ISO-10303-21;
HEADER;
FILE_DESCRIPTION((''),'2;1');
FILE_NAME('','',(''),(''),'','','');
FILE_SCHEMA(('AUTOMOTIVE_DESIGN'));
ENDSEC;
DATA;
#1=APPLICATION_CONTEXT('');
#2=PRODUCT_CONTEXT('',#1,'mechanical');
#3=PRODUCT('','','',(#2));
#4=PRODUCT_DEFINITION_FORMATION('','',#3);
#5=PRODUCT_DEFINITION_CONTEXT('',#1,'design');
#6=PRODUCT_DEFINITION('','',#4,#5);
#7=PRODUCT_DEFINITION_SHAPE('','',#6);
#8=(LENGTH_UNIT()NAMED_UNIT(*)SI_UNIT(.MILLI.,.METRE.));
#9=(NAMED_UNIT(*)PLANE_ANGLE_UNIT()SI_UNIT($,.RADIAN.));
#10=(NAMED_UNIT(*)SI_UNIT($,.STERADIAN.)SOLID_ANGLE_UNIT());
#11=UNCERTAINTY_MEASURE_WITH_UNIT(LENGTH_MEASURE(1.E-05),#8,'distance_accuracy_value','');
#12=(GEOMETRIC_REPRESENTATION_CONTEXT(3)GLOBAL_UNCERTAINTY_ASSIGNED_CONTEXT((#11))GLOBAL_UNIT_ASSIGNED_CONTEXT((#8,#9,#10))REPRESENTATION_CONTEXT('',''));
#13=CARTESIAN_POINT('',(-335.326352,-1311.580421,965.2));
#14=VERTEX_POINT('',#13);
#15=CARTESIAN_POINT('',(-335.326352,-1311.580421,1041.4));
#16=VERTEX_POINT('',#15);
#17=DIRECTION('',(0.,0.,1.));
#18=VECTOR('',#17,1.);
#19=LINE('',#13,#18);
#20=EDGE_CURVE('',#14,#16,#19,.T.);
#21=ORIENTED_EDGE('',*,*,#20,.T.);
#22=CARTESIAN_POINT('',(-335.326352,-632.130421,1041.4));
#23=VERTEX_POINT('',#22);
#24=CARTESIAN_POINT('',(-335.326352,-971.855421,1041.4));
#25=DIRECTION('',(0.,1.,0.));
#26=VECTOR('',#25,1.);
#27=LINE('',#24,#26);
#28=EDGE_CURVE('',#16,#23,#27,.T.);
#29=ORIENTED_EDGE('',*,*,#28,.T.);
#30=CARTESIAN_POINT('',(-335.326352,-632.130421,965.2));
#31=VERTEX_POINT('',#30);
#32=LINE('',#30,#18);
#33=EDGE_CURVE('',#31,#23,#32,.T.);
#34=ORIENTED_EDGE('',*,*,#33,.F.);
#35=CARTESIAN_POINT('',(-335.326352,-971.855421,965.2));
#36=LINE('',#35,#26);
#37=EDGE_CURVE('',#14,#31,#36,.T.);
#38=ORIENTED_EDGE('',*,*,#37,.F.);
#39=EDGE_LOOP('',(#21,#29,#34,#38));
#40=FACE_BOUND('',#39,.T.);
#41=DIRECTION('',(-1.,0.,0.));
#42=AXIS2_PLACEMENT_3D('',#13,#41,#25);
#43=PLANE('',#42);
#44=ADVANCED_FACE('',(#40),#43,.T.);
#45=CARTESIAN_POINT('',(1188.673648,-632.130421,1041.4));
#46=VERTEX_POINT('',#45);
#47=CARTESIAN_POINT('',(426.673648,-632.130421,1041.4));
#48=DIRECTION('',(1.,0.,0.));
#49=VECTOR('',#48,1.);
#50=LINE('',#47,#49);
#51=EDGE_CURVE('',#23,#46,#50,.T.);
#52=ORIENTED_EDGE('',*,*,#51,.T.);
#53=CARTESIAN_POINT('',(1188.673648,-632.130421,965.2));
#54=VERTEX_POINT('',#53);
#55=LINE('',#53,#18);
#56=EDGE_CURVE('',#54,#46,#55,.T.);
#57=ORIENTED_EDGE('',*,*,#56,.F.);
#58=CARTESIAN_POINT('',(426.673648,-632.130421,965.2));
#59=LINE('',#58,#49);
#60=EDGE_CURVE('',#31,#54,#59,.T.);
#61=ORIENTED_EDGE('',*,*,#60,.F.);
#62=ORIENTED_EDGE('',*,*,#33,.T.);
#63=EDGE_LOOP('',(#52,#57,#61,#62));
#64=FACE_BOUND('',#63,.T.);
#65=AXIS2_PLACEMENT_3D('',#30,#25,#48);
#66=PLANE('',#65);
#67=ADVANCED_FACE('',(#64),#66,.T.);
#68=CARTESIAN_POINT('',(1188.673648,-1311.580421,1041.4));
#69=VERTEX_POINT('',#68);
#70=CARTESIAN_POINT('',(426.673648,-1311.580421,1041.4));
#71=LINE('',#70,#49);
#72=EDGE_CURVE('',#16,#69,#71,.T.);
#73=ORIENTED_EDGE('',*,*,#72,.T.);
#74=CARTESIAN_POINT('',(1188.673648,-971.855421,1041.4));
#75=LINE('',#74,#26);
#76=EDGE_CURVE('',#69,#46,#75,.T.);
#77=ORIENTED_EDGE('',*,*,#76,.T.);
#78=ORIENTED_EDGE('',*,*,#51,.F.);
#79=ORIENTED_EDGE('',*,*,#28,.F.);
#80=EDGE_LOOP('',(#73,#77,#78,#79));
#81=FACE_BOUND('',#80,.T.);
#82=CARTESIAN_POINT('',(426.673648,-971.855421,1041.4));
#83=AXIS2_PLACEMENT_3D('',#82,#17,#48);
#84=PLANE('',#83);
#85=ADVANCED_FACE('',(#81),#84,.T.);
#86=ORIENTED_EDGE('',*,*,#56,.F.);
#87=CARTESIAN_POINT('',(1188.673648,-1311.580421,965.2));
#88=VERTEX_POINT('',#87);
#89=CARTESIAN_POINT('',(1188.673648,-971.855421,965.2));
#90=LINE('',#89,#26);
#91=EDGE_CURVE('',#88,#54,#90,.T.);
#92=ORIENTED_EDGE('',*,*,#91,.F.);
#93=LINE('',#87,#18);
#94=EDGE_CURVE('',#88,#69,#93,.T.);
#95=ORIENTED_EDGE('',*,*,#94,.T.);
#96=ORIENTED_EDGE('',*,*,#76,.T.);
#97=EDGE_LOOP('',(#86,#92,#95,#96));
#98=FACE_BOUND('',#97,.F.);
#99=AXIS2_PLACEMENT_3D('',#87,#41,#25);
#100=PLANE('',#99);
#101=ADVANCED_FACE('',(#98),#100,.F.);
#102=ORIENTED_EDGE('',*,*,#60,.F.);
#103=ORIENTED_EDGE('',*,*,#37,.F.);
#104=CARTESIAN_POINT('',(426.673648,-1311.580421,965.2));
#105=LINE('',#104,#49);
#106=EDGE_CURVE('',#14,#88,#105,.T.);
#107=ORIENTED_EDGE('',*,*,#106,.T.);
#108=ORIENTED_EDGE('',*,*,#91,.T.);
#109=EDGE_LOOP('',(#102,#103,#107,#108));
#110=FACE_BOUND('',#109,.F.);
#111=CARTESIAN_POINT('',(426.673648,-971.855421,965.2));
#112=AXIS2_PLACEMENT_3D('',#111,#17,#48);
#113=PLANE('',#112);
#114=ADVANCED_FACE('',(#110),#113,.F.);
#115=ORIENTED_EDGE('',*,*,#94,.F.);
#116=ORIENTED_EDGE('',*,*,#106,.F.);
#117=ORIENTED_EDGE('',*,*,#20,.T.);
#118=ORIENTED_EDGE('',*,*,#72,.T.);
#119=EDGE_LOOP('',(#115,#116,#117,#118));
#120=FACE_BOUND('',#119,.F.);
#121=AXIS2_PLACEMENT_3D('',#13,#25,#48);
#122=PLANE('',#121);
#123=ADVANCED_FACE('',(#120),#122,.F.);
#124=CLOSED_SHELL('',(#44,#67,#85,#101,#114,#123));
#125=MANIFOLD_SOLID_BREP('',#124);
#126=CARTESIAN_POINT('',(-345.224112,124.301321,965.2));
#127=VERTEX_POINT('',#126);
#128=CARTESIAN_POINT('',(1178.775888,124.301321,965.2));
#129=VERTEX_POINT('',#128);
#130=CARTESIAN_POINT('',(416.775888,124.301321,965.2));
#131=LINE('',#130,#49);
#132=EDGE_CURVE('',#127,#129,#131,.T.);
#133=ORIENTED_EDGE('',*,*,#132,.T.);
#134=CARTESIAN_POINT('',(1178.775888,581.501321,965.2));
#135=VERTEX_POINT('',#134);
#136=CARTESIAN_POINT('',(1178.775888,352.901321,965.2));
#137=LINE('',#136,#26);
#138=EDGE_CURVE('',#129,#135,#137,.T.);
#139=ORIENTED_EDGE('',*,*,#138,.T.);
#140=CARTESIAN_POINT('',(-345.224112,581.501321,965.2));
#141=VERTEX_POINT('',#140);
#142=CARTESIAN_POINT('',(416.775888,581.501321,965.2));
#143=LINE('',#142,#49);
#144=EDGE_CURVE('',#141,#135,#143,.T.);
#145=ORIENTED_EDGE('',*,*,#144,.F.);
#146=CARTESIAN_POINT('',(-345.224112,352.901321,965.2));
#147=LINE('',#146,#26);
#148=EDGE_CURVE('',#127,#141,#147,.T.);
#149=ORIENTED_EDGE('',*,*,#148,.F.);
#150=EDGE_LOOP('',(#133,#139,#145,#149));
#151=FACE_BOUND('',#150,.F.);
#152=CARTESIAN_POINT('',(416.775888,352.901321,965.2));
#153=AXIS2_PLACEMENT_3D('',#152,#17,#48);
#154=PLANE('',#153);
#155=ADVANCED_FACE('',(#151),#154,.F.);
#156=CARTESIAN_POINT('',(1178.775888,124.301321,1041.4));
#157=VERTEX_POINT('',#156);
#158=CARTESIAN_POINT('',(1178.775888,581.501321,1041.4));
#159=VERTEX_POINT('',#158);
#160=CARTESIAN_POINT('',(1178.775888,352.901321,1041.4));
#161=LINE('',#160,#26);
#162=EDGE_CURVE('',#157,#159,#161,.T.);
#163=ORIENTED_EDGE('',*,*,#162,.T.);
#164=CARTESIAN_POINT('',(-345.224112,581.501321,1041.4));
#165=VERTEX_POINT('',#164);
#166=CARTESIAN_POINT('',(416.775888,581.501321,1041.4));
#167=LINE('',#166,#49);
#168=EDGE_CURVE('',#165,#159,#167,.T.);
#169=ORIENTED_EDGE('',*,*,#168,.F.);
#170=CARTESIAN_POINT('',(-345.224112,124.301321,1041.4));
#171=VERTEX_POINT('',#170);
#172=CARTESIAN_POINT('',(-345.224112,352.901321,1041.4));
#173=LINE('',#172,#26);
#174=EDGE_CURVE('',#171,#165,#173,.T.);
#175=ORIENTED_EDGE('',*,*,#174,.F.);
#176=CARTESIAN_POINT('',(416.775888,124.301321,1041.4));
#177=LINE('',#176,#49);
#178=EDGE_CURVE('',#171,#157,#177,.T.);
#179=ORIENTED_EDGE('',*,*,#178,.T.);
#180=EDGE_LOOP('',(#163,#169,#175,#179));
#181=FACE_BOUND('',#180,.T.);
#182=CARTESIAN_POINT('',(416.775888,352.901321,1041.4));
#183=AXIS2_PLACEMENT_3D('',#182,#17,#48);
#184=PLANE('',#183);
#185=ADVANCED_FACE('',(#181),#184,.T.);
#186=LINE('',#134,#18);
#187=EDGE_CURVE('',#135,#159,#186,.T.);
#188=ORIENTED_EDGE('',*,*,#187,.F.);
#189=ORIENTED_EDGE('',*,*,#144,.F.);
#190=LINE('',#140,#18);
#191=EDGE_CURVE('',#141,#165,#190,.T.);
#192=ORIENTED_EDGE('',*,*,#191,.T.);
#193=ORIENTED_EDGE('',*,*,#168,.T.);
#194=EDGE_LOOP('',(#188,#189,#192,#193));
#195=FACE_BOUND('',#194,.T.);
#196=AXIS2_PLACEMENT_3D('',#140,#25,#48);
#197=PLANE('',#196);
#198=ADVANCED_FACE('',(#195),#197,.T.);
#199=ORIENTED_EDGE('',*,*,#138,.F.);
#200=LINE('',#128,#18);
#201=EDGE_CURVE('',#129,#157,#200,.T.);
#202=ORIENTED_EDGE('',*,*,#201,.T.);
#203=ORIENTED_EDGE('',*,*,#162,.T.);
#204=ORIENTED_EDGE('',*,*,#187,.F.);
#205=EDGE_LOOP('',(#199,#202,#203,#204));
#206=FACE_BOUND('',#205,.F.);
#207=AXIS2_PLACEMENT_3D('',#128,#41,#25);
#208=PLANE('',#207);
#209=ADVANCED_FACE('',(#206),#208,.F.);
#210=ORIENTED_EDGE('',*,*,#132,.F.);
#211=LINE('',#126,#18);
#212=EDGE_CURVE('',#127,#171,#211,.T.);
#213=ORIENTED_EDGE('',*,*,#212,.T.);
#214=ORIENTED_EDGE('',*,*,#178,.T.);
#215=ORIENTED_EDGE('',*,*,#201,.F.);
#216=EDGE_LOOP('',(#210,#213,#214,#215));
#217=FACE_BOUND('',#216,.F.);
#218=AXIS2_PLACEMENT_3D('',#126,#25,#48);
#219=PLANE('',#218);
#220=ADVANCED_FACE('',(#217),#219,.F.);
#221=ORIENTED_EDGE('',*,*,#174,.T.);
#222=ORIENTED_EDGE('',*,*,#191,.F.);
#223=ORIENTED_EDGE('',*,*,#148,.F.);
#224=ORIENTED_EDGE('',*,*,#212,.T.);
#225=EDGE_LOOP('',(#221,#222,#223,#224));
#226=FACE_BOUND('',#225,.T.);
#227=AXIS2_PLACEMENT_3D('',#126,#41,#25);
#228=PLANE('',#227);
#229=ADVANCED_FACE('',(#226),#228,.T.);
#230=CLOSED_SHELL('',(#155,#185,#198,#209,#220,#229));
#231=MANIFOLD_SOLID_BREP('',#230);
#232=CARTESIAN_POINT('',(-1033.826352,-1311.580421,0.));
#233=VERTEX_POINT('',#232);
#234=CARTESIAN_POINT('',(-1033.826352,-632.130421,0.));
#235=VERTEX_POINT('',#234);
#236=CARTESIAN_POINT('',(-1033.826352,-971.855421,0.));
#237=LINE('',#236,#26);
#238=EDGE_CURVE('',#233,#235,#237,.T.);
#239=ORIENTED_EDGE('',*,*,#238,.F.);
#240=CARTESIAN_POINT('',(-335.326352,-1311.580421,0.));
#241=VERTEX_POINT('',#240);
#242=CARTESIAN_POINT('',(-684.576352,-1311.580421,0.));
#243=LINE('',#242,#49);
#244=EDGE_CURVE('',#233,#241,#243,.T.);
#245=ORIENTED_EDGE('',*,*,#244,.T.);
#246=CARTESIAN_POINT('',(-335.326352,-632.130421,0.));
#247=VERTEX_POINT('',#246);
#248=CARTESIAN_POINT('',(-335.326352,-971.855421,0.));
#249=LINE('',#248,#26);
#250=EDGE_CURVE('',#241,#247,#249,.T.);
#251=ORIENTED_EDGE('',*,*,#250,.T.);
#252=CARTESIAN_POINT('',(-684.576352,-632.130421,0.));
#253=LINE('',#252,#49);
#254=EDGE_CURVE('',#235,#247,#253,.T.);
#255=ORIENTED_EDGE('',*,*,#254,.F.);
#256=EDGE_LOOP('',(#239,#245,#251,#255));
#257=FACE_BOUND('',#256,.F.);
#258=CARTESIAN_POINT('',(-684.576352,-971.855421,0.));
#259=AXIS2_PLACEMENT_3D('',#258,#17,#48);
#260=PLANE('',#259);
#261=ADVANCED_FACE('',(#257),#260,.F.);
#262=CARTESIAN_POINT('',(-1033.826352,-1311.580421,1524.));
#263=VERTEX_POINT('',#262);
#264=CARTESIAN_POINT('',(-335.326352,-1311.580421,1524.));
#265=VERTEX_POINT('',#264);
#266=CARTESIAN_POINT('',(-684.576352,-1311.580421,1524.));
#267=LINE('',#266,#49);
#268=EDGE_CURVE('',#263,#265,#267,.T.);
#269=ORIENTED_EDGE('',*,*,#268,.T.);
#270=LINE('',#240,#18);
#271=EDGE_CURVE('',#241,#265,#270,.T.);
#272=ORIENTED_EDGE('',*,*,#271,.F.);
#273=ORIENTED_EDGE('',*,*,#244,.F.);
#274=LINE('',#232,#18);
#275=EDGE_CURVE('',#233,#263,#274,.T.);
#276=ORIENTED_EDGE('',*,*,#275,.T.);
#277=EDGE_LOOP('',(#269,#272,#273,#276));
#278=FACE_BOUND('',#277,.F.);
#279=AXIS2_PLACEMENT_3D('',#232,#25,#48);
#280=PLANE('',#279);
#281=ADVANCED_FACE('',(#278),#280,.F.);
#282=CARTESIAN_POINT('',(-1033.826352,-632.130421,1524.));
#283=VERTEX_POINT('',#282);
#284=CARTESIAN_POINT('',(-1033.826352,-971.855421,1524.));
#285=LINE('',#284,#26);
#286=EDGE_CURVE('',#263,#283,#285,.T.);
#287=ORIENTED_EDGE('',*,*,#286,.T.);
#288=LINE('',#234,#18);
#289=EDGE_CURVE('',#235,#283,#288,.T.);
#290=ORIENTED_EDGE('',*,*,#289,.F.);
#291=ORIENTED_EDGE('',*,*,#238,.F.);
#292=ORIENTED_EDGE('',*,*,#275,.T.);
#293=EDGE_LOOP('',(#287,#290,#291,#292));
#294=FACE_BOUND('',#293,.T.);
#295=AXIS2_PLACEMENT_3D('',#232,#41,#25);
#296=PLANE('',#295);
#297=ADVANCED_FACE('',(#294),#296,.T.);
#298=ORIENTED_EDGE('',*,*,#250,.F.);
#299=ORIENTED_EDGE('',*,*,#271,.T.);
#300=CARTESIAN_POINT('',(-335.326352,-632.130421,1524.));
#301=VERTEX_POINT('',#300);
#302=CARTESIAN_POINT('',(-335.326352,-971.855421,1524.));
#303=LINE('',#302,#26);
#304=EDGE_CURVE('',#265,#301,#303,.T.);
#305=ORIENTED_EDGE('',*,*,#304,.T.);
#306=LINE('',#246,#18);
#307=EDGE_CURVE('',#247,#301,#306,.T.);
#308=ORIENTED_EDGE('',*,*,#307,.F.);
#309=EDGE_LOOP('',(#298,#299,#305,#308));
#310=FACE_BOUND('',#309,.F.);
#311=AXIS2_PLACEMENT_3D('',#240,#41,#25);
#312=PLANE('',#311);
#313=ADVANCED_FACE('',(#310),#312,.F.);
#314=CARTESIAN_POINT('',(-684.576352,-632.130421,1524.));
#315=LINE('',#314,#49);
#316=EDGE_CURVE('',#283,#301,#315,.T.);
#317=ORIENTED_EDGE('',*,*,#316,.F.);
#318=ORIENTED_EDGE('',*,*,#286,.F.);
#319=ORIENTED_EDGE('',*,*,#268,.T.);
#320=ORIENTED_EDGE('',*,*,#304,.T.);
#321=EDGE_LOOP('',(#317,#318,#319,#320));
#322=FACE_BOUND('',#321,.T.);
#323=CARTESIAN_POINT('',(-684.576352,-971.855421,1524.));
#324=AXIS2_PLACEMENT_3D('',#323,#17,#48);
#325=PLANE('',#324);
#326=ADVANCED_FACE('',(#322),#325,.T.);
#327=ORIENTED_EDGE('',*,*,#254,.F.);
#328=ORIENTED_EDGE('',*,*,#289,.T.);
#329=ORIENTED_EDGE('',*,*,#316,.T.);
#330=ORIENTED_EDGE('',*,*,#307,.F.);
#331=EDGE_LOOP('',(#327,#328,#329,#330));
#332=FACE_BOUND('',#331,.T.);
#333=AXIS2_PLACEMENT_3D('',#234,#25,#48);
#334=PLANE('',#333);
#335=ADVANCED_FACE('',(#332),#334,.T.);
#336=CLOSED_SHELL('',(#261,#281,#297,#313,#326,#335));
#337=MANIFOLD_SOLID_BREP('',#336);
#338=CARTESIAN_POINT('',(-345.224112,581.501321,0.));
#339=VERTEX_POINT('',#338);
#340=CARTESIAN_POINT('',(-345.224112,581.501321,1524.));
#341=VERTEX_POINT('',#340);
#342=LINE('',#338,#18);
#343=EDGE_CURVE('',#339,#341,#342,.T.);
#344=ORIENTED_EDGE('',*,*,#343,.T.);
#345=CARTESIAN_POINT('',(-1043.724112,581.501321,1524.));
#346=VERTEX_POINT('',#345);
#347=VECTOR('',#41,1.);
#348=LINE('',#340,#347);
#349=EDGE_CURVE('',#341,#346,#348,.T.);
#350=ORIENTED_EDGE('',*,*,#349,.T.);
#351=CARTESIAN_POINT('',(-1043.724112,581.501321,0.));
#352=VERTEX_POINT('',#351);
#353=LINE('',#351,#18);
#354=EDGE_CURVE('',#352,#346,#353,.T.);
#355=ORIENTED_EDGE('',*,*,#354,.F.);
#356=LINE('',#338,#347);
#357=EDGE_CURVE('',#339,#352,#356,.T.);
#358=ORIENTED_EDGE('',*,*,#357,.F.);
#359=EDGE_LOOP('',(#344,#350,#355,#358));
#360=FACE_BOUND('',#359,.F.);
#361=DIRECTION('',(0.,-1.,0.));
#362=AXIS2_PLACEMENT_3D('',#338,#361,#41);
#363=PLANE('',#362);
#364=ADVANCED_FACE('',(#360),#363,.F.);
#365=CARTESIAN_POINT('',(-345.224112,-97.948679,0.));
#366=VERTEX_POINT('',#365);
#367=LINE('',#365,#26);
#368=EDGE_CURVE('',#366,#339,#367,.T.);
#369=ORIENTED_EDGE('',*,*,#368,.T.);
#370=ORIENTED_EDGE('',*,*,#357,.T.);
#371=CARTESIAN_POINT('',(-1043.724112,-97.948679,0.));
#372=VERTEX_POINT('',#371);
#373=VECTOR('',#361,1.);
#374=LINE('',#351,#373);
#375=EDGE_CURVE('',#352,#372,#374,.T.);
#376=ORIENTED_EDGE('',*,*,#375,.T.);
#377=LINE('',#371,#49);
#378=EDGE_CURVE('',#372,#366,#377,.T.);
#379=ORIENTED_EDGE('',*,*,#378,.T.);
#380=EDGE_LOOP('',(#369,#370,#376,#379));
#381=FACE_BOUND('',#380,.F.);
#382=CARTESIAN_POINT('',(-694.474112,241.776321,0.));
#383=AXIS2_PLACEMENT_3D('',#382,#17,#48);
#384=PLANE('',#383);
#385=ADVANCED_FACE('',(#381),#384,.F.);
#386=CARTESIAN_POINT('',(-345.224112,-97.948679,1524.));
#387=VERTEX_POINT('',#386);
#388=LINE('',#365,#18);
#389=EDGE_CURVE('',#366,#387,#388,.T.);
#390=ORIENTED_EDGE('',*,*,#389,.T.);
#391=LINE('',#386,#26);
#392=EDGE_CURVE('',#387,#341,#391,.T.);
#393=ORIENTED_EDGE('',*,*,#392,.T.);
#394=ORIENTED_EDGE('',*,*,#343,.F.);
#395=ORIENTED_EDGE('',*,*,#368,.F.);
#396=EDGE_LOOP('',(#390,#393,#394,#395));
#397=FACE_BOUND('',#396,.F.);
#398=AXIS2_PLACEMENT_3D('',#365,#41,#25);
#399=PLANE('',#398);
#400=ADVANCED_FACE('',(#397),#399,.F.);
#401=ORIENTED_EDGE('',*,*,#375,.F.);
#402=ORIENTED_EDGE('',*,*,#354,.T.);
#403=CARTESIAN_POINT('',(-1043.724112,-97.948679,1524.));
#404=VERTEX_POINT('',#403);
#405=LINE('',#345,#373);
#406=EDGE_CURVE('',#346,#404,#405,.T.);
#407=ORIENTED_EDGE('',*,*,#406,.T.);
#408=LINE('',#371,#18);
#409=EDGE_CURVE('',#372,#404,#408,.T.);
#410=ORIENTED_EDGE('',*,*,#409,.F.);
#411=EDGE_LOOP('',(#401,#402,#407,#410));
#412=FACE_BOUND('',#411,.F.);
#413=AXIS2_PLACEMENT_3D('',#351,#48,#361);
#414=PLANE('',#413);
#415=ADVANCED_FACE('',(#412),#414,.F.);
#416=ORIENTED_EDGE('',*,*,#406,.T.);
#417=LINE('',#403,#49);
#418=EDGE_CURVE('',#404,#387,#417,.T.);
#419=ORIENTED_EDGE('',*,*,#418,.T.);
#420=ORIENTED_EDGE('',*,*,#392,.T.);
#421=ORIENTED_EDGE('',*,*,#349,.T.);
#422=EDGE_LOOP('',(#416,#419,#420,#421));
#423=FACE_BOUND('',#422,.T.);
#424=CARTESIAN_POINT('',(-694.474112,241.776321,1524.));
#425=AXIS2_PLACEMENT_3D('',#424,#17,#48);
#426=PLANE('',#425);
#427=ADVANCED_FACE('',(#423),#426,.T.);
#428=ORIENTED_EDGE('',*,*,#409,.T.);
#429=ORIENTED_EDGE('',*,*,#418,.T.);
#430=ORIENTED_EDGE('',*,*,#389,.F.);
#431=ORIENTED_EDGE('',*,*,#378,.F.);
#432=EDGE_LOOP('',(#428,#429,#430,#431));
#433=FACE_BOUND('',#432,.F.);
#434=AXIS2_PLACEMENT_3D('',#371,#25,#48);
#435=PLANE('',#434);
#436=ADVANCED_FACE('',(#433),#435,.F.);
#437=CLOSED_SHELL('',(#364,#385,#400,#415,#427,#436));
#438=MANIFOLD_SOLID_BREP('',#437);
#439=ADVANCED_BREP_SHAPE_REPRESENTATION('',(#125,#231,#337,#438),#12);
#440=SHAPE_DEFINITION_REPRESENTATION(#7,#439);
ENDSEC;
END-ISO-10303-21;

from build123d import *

# Parameters (mm, degrees)
F1_START = 965.2
F0_W     = 1524
F0_H     = 679.45
F1_DEPTH = 76.2
F0_H_2   = 457.2
F0_W_2   = 698.5
F2_DEPTH = 1524


with BuildPart() as f1:
    # F0 (on Top) → F1 (new body)
    with BuildSketch(Plane.XY.offset(F1_START)):
        with Locations((426.6736479466, -971.8554207087)):
            Rectangle(F0_W, F0_H)
    extrude(amount=F1_DEPTH)


with BuildPart() as f1b:
    # F0 (on Top) → F1, piece 2 (new body)
    with BuildSketch(Plane.XY.offset(F1_START)):
        with Locations((416.7758880812, 352.9013210833)):
            Rectangle(F0_W, F0_H_2)
    extrude(amount=F1_DEPTH)


with BuildPart() as f2:
    # F0 (on Top) → F2 (new body)
    with BuildSketch(Plane.XY):
        with Locations((-684.5763520534, -971.8554207087)):
            Rectangle(F0_W_2, F0_H)
    extrude(amount=F2_DEPTH)


with BuildPart() as f2b:
    # F0 (on Top) → F2, piece 2 (new body)
    with BuildSketch(Plane.XY):
        Polygon((-345.2241119188, 581.5013210833), (-1043.7241119188, 581.5013210833), (-1043.7241119188, -97.9486789167), (-345.2241119188, -97.9486789167), (-345.2241119188, 124.3013210833), align=None)
    extrude(amount=F2_DEPTH)


solid = Compound([f1.part, f1b.part, f2.part, f2b.part])
